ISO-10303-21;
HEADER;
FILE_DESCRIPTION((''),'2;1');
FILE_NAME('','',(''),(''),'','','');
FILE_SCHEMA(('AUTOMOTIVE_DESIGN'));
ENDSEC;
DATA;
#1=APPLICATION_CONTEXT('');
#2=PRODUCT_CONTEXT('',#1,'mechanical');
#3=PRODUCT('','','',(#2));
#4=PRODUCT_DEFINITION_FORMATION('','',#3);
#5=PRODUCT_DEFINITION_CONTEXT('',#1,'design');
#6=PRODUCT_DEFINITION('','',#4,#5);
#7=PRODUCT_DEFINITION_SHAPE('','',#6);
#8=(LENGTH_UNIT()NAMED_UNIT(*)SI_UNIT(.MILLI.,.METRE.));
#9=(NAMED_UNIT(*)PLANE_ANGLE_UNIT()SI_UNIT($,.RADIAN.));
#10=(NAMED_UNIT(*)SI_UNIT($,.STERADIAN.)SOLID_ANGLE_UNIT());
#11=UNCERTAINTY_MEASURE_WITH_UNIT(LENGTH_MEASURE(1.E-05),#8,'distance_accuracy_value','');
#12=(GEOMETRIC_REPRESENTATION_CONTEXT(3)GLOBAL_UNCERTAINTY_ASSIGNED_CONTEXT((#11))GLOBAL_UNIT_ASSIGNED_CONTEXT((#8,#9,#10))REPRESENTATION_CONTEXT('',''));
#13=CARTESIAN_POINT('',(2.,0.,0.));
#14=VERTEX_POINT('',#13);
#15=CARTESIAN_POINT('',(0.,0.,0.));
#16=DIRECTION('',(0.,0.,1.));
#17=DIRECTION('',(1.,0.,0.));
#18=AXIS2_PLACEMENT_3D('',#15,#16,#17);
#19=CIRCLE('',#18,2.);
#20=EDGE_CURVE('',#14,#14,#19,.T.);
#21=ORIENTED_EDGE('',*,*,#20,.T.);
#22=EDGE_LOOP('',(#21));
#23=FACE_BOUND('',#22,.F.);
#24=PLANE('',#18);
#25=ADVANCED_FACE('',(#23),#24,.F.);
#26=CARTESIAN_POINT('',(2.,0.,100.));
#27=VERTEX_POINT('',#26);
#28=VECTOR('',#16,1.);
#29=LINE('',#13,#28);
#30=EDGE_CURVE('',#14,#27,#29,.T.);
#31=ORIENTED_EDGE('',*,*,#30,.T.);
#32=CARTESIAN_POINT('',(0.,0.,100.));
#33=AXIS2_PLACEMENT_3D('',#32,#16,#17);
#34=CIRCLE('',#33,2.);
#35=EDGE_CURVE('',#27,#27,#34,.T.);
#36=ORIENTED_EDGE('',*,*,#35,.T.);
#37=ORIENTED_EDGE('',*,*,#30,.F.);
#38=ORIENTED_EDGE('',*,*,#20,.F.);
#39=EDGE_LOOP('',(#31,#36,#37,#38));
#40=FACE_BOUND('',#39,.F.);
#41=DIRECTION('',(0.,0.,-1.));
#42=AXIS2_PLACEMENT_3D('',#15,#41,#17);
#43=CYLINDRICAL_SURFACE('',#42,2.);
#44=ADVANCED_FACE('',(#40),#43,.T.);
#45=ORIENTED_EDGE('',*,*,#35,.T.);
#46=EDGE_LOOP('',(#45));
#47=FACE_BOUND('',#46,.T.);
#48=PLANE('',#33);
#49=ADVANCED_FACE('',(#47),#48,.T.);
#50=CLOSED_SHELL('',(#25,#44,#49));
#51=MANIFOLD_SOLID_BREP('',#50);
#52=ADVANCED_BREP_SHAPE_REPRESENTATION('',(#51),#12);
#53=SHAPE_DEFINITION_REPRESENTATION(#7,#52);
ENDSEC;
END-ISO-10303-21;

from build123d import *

# Parameters (mm, degrees)
SKETCH_1_R      = 2
EXTRUDE_1_DEPTH = 100


with BuildPart() as part:
    # 草图1 → 凸台-拉伸1 (new body)
    with BuildSketch(Plane.XY):
        Circle(SKETCH_1_R)
    extrude(amount=EXTRUDE_1_DEPTH)


solid = part.part
